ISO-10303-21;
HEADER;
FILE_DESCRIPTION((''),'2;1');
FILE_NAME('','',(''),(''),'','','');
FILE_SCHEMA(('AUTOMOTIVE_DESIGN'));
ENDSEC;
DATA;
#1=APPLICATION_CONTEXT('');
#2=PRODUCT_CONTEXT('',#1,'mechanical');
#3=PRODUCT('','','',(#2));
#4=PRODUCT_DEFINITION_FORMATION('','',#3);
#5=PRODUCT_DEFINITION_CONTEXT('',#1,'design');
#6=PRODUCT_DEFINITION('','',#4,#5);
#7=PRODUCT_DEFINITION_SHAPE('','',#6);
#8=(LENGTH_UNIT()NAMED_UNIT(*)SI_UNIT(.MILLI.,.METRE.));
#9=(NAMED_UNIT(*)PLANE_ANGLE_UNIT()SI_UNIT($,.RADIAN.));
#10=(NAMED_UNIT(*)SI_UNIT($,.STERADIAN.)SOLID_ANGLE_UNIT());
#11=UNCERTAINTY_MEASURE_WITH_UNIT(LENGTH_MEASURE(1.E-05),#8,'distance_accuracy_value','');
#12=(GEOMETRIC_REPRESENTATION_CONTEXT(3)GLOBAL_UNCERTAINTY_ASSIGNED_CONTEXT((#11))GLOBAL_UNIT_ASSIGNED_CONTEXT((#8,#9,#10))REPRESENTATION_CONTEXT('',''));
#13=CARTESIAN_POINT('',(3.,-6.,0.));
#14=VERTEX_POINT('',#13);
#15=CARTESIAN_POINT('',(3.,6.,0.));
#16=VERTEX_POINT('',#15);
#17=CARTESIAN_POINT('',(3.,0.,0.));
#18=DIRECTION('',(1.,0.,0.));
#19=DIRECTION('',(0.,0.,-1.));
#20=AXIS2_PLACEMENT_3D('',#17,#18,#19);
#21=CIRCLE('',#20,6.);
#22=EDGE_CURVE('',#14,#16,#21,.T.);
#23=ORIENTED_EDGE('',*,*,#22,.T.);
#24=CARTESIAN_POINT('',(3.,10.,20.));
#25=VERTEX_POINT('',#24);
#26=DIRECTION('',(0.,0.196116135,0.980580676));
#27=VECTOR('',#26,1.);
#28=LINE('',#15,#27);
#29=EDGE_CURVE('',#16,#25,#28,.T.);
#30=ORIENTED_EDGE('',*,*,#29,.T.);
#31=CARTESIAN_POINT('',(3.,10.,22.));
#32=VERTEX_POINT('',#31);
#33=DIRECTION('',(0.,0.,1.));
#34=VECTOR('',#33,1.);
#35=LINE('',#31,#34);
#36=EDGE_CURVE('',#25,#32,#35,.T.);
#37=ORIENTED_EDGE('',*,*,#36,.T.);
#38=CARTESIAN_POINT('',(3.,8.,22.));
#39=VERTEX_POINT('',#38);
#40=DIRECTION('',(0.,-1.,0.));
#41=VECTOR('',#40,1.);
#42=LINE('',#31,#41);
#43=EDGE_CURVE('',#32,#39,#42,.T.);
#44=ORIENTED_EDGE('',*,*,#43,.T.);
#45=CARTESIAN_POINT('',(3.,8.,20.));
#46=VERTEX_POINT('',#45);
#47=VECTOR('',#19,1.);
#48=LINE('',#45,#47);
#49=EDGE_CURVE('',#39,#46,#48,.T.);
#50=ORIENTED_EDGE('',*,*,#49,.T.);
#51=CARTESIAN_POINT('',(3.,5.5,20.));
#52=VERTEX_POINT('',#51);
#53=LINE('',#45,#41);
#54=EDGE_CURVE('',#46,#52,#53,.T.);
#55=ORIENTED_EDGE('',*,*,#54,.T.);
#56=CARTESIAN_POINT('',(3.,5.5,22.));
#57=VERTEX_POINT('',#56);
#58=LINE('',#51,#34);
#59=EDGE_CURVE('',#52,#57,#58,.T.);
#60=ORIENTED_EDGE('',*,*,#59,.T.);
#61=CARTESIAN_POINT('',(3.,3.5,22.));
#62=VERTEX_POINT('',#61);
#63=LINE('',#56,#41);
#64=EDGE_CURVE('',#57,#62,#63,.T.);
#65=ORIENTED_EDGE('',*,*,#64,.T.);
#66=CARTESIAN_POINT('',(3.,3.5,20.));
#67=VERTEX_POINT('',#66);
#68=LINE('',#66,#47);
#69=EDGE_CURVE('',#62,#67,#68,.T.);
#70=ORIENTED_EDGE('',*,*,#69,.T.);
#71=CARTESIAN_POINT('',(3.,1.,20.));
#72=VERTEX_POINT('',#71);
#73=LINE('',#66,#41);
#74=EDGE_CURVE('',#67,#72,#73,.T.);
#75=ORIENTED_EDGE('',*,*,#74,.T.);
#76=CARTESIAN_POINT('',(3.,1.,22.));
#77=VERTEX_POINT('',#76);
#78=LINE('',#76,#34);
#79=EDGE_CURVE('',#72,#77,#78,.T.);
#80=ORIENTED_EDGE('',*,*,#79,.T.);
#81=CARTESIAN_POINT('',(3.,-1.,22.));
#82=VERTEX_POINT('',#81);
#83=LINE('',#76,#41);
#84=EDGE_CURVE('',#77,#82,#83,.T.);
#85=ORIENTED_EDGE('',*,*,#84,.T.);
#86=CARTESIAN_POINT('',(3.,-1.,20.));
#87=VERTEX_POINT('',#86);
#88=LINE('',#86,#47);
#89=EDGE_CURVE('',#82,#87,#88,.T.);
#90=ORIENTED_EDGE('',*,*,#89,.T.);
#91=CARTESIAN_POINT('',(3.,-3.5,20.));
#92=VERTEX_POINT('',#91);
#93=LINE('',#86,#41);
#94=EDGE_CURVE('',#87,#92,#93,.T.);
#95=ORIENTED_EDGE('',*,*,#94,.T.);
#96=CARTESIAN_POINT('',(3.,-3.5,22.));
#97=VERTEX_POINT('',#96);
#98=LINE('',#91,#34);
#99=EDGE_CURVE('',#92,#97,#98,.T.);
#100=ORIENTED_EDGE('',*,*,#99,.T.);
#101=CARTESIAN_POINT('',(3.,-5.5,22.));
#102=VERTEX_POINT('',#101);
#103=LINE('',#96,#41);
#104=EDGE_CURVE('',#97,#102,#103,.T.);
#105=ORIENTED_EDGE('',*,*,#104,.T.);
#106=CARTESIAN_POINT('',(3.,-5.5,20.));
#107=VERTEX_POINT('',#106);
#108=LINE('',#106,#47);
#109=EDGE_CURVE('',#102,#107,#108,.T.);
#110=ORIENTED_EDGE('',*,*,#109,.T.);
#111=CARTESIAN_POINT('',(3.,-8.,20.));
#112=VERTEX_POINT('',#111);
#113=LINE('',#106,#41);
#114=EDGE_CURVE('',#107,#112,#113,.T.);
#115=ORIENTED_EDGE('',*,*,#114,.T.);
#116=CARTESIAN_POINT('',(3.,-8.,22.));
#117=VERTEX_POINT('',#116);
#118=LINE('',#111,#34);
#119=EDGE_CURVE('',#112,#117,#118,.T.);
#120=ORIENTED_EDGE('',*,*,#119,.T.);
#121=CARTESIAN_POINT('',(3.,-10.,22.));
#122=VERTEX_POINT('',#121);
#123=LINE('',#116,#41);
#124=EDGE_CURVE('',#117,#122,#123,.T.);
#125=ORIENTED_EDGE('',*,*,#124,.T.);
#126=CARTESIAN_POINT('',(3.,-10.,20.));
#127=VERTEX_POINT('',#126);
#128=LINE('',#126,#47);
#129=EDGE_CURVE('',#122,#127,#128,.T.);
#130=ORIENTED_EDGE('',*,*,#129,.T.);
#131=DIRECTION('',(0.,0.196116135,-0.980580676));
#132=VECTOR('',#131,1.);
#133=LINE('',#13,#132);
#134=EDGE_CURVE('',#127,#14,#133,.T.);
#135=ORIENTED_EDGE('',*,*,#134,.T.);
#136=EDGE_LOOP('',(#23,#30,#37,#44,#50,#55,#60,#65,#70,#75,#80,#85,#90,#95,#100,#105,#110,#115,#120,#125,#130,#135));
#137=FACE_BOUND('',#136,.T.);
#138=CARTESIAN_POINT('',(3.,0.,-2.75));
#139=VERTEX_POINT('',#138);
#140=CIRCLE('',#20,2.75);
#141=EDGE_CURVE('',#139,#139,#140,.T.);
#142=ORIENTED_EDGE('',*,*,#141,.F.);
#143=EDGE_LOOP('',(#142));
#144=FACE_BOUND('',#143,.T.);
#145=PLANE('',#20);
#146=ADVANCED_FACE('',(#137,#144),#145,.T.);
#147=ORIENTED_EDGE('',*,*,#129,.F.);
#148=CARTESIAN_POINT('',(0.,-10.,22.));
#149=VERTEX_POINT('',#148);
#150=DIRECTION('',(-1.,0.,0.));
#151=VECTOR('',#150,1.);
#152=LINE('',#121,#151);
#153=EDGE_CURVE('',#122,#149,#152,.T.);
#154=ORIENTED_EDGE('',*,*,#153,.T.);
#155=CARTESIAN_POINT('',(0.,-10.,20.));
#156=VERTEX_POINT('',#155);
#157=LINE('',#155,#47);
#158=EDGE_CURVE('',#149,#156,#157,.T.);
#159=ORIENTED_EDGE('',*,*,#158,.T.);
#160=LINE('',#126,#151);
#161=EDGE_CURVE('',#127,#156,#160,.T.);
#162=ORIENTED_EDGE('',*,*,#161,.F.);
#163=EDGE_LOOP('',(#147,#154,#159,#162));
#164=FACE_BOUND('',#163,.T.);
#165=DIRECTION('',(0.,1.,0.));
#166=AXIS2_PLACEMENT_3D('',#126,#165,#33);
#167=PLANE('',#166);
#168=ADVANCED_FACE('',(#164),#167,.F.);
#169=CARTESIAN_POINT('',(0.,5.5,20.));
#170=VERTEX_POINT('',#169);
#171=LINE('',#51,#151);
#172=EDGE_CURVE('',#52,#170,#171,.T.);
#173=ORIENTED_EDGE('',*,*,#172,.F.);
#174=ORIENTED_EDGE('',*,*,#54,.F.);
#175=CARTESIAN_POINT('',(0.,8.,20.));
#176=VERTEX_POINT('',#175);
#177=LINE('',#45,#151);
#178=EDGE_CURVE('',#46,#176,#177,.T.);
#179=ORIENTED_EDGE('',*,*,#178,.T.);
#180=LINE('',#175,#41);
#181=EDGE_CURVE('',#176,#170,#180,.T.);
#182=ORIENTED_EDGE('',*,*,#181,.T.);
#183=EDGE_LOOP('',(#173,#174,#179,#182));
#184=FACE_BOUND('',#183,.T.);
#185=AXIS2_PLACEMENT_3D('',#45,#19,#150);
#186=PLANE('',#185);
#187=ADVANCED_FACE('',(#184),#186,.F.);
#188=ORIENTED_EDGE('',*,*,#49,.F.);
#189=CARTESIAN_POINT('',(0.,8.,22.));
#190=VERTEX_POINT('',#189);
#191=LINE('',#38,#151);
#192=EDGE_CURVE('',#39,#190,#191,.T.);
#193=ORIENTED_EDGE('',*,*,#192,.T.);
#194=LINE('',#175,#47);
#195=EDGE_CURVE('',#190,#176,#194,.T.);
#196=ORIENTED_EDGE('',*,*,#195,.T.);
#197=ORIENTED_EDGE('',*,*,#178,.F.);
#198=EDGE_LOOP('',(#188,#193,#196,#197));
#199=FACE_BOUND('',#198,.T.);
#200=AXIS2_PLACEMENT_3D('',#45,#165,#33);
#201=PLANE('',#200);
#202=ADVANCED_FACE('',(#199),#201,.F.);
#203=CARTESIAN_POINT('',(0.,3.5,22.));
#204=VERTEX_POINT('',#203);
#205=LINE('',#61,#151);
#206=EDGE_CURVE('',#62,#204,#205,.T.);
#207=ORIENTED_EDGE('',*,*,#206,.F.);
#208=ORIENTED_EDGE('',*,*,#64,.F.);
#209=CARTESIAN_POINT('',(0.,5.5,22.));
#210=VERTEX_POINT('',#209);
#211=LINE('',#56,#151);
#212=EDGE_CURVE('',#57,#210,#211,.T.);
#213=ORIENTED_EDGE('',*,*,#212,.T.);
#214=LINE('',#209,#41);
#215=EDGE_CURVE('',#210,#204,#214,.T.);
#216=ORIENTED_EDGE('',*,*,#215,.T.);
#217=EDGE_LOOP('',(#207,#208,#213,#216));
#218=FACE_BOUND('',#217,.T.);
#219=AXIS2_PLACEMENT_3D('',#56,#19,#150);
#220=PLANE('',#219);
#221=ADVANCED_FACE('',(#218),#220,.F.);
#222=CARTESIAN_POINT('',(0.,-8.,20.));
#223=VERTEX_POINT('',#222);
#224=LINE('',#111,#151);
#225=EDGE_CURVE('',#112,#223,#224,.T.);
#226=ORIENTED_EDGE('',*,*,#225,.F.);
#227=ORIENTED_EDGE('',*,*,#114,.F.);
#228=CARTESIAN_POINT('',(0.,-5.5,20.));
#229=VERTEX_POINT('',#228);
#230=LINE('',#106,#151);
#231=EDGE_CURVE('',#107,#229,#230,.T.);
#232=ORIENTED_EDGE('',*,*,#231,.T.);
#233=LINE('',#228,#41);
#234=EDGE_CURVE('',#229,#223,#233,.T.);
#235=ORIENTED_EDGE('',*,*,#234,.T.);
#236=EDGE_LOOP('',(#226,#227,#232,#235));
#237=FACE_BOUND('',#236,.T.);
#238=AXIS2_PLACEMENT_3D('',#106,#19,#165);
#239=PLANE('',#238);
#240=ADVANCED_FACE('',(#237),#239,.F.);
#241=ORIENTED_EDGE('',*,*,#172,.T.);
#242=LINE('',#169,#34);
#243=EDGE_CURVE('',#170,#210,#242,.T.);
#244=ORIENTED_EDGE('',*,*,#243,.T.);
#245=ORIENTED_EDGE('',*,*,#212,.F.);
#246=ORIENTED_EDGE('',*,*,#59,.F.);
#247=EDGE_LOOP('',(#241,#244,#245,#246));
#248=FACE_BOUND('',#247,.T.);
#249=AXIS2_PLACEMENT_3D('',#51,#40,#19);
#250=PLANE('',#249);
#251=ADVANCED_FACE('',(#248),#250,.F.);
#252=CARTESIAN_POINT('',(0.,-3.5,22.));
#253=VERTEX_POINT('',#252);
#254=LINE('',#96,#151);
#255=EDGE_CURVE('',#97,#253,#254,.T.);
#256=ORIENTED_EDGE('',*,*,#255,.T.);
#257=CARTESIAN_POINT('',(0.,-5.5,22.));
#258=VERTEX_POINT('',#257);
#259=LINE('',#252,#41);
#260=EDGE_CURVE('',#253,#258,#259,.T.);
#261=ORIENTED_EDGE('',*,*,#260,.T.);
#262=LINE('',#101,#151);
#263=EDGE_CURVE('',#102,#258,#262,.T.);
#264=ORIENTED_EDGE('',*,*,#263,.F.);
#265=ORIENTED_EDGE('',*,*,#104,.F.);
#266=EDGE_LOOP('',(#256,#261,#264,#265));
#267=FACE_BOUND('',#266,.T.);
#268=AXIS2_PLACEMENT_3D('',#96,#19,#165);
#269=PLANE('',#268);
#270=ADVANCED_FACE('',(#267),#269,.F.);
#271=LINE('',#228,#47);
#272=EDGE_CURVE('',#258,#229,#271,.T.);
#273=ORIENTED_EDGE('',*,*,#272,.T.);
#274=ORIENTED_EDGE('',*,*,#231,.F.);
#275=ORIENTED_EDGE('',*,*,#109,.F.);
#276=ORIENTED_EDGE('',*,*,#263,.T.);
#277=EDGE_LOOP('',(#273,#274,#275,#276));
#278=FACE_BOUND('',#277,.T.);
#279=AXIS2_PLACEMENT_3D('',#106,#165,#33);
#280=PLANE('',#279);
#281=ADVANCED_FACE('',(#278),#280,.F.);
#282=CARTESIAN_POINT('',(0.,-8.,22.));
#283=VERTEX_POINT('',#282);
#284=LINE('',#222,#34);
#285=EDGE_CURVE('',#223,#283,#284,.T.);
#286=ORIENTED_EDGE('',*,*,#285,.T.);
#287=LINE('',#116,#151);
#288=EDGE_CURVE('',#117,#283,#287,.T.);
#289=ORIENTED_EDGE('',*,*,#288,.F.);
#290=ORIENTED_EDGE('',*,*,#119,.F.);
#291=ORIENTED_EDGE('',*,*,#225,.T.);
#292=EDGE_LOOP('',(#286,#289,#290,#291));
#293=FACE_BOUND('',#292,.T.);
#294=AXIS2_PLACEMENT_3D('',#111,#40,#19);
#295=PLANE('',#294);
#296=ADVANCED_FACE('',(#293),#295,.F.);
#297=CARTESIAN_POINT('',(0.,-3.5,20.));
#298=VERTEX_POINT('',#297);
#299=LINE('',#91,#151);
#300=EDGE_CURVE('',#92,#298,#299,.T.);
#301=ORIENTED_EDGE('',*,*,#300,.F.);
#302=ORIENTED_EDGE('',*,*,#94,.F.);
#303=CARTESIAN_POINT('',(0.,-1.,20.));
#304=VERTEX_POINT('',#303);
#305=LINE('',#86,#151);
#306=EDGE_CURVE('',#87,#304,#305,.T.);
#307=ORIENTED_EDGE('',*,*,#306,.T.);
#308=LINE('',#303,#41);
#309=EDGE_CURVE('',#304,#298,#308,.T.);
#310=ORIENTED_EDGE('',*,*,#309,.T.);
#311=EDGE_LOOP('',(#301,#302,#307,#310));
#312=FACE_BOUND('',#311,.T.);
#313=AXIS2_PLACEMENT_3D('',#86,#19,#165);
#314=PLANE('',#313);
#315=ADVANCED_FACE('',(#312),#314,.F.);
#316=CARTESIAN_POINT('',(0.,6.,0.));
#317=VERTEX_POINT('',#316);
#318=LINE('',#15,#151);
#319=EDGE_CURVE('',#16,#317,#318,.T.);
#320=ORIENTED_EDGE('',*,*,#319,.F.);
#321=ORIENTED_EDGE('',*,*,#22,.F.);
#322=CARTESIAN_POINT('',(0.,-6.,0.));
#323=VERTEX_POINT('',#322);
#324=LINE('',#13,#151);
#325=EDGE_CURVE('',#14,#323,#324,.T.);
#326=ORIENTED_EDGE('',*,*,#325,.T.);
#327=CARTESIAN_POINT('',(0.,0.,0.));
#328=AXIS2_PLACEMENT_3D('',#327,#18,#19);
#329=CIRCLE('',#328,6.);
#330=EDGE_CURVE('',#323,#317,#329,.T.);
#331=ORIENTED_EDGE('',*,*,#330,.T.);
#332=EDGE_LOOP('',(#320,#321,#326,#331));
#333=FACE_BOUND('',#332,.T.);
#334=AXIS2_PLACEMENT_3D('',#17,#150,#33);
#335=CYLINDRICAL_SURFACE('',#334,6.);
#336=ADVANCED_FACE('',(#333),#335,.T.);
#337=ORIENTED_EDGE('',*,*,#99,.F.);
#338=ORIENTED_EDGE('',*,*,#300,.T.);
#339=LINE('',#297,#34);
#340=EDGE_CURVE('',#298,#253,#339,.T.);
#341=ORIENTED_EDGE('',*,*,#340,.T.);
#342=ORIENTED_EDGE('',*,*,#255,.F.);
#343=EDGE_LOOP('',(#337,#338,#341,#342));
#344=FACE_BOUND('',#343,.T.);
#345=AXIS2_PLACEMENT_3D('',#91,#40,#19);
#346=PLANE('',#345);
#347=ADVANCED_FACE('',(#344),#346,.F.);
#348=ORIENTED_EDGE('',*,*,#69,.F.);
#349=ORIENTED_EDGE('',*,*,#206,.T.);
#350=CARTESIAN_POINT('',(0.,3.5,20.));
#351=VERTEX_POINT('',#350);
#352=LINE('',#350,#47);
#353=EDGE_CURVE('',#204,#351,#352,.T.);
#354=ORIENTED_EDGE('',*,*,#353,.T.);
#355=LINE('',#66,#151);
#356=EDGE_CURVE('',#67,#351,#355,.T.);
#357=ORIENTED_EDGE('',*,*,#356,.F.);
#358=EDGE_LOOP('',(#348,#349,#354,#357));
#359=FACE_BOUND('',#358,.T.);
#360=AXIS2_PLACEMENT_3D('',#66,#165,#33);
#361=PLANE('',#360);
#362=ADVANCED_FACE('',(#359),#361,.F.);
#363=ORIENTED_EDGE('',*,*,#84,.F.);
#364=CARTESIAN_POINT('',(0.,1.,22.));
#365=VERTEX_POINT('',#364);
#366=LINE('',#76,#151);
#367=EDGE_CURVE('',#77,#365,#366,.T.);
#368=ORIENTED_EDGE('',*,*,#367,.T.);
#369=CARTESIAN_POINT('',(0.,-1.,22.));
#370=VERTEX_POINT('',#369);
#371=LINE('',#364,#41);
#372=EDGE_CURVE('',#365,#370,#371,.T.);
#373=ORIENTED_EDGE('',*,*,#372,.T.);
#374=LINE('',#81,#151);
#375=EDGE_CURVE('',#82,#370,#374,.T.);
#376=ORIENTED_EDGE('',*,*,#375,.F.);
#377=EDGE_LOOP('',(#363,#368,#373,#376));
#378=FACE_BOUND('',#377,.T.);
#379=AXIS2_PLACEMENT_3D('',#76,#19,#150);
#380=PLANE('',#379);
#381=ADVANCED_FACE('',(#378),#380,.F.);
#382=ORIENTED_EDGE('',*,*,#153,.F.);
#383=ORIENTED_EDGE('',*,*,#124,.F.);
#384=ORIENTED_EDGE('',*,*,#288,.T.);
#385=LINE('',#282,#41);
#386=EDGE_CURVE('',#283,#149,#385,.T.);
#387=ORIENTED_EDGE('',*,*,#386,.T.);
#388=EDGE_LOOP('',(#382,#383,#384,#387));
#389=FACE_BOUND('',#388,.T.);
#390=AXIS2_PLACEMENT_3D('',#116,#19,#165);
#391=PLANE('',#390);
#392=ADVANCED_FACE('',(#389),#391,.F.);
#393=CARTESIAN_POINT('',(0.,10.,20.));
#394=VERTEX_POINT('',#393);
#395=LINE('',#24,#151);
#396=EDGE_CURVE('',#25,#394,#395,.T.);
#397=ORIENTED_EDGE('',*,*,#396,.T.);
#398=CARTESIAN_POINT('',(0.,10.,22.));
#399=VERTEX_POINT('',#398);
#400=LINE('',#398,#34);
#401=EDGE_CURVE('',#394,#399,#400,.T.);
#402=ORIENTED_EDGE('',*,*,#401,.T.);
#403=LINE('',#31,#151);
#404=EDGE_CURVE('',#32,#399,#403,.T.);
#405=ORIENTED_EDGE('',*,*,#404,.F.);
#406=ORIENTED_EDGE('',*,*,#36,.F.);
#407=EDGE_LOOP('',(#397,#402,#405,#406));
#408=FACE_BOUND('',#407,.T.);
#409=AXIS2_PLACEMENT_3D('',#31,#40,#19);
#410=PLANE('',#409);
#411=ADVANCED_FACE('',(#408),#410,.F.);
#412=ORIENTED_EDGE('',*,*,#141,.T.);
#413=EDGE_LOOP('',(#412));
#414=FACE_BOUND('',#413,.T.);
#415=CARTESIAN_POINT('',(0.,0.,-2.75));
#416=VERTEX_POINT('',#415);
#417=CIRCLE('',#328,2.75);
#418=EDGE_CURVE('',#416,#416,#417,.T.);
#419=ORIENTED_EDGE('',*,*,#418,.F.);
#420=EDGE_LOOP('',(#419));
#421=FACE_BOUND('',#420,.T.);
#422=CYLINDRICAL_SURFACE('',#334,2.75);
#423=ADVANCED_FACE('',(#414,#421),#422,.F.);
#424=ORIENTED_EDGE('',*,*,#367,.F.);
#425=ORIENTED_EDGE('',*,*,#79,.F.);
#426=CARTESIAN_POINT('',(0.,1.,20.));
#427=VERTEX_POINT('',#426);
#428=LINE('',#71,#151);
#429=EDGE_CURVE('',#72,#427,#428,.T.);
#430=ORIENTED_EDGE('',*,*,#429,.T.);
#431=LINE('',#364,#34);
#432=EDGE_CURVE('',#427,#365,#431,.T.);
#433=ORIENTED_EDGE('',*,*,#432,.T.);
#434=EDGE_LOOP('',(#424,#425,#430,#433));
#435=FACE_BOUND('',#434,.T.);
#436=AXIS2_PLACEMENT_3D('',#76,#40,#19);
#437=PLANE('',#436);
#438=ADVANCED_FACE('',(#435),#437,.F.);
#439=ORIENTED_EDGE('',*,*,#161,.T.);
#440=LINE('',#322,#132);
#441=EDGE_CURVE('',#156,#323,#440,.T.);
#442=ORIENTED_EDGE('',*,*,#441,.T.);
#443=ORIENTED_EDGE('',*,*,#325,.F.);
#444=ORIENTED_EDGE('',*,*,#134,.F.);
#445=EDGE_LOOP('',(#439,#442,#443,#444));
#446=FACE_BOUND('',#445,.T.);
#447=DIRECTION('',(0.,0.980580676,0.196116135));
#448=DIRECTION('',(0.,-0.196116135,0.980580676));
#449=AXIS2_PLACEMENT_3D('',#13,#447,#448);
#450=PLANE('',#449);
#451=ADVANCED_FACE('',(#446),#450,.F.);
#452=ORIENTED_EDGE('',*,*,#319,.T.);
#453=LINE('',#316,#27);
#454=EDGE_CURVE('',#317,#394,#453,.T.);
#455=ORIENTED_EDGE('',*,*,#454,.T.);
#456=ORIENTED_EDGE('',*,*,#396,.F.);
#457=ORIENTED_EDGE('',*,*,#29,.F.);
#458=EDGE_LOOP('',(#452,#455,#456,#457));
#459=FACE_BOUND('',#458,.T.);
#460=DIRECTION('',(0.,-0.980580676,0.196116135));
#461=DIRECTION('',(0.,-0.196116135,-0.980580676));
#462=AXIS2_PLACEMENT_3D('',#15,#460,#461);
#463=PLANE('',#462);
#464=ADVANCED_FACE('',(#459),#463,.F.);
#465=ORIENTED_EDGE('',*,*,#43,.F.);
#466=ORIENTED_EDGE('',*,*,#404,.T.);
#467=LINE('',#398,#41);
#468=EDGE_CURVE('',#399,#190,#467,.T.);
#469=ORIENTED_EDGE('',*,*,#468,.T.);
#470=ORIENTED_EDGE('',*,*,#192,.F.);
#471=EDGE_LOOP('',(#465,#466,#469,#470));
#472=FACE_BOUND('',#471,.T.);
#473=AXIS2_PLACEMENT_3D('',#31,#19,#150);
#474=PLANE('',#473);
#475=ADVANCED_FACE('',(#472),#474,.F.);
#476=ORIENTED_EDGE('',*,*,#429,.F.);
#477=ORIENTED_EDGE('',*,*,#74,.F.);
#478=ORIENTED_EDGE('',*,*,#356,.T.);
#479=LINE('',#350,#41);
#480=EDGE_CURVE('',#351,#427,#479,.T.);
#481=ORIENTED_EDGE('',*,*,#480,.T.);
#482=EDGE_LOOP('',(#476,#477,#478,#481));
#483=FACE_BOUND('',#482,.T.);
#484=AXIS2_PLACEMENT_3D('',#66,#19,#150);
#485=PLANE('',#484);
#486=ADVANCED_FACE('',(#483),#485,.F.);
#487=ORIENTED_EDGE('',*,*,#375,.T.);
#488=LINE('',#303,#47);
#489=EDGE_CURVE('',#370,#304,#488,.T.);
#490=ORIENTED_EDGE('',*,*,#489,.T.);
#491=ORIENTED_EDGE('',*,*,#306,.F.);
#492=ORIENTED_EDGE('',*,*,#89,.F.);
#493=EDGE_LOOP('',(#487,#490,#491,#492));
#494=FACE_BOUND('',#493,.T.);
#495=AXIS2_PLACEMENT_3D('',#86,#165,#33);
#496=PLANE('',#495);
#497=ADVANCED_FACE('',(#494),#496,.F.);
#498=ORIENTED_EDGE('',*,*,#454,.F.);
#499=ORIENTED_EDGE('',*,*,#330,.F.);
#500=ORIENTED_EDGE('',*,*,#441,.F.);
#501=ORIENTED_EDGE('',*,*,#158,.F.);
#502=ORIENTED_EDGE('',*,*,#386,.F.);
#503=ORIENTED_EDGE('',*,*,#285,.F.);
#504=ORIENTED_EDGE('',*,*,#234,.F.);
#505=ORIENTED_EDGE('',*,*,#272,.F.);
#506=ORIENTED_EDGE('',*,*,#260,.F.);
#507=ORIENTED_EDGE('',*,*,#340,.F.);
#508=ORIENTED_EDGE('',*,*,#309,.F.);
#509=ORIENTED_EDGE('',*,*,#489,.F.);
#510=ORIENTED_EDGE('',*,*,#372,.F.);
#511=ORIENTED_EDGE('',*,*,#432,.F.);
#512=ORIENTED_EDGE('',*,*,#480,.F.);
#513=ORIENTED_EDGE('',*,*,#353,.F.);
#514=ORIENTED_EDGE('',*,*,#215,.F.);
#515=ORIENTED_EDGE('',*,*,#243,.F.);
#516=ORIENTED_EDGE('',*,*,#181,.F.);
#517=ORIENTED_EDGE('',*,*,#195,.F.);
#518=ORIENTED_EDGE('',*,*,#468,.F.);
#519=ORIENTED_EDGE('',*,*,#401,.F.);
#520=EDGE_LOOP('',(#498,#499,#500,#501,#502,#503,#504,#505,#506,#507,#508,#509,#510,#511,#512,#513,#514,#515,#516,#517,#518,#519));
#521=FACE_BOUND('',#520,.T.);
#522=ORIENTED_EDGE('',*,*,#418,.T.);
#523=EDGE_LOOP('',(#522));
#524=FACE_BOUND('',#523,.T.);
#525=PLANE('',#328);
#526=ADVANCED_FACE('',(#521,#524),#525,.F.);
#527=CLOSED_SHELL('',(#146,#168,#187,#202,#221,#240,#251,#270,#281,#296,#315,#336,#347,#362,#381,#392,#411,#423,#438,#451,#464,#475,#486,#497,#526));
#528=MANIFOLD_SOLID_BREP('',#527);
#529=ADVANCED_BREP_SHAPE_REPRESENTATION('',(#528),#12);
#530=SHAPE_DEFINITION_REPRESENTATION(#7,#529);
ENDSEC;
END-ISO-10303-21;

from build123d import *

# Parameters (mm, degrees)
SKETCH1_R           = 2.75
BOSS_EXTRUDE1_DEPTH = 3


with BuildPart() as part:
    # Sketch1 → Boss-Extrude1 (new body)
    with BuildSketch(Plane(origin=(0, 0, 0), x_dir=(0, 0, -1), z_dir=(1, 0, 0))):
        with BuildLine():
            Line((-20, 5.5), (-22, 5.5))
            Line((-22, 5.5), (-22, 3.5))
            Line((-22, 3.5), (-20, 3.5))
            Line((-20, 3.5), (-20, 1))
            Line((-20, 1), (-22, 1))
            Line((-22, 1), (-22, -1))
            Line((-22, -1), (-20, -1))
            Line((-20, -1), (-20, -3.5))
            Line((-20, -3.5), (-22, -3.5))
            Line((-22, -3.5), (-22, -5.5))
            Line((-22, -5.5), (-20, -5.5))
            Line((-20, -5.5), (-20, -8))
            Line((-20, -8), (-22, -8))
            Line((-22, -8), (-22, -10))
            Line((-22, -10), (-20, -10))
            Line((-20, -10), (0, -6))
            ThreePointArc((0, -6), (6, 0), (0, 6))
            Line((0, 6), (-20, 10))
            Line((-20, 10), (-22, 10))
            Line((-22, 10), (-22, 8))
            Line((-22, 8), (-20, 8))
            Line((-20, 8), (-20, 5.5))
        make_face()
        Circle(SKETCH1_R, mode=Mode.SUBTRACT)
    extrude(amount=BOSS_EXTRUDE1_DEPTH)


solid = part.part
